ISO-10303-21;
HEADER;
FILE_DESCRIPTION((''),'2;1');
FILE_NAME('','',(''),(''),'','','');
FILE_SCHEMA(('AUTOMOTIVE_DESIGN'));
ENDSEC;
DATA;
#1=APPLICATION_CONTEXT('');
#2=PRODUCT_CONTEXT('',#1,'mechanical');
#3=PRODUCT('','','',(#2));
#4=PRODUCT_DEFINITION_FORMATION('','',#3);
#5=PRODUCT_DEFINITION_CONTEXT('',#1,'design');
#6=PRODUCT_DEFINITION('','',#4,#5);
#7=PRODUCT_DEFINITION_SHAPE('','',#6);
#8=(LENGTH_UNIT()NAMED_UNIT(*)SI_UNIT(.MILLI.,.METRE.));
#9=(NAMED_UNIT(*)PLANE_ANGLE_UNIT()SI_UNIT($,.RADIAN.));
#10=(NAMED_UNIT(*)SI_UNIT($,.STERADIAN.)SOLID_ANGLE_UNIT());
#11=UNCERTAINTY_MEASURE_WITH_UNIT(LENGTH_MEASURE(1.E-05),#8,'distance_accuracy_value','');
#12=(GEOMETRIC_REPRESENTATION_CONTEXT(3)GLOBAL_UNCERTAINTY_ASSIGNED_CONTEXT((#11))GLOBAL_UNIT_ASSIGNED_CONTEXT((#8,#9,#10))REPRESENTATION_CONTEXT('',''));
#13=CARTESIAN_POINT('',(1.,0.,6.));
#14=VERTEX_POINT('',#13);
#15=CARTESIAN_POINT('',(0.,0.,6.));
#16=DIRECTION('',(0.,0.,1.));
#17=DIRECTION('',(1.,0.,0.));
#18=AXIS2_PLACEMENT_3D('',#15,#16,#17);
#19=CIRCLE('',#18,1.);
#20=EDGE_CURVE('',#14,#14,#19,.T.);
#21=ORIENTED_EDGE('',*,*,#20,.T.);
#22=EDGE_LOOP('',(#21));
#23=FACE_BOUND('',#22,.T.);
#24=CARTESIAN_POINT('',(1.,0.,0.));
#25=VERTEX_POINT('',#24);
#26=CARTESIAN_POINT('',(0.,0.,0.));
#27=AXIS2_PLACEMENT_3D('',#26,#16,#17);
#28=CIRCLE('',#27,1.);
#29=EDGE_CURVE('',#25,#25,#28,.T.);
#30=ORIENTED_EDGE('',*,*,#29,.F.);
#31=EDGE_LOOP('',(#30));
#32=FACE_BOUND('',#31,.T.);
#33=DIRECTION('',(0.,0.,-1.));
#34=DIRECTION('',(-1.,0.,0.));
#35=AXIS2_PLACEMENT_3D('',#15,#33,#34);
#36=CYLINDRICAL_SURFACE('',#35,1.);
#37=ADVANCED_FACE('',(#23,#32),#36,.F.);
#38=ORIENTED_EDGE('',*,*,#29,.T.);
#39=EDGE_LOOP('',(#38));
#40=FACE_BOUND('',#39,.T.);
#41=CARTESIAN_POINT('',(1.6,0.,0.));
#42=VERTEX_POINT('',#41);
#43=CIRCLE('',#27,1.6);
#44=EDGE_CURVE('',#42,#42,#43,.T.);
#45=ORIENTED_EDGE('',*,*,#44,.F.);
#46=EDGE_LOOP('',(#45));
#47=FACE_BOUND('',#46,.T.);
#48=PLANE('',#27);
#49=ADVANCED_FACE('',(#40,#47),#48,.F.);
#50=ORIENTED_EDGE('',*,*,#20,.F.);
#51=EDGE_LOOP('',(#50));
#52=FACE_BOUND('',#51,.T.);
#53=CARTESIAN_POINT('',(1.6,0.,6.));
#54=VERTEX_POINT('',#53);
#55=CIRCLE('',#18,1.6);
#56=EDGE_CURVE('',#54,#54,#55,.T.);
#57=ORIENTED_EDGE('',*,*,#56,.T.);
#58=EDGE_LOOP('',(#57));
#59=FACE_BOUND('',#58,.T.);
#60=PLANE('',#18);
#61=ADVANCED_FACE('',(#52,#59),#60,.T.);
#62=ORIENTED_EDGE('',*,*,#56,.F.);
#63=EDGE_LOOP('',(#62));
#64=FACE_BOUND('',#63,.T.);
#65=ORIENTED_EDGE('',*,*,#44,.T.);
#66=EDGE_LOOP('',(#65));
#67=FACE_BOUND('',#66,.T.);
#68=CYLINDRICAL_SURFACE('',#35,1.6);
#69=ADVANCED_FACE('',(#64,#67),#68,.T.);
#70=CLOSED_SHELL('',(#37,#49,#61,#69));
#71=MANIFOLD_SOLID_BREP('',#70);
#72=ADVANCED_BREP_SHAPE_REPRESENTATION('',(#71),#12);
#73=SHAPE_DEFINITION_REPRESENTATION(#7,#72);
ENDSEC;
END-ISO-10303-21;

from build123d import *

# Parameters (mm, degrees)
SKETCH_1_R      = 1.6
SKETCH_1_R_2    = 1
EXTRUDE_1_DEPTH = 6


with BuildPart() as part:
    # 草图1 → 凸台-拉伸1 (new body)
    with BuildSketch(Plane.XY):
        Circle(SKETCH_1_R)
        Circle(SKETCH_1_R_2, mode=Mode.SUBTRACT)
    extrude(amount=EXTRUDE_1_DEPTH)


solid = part.part
